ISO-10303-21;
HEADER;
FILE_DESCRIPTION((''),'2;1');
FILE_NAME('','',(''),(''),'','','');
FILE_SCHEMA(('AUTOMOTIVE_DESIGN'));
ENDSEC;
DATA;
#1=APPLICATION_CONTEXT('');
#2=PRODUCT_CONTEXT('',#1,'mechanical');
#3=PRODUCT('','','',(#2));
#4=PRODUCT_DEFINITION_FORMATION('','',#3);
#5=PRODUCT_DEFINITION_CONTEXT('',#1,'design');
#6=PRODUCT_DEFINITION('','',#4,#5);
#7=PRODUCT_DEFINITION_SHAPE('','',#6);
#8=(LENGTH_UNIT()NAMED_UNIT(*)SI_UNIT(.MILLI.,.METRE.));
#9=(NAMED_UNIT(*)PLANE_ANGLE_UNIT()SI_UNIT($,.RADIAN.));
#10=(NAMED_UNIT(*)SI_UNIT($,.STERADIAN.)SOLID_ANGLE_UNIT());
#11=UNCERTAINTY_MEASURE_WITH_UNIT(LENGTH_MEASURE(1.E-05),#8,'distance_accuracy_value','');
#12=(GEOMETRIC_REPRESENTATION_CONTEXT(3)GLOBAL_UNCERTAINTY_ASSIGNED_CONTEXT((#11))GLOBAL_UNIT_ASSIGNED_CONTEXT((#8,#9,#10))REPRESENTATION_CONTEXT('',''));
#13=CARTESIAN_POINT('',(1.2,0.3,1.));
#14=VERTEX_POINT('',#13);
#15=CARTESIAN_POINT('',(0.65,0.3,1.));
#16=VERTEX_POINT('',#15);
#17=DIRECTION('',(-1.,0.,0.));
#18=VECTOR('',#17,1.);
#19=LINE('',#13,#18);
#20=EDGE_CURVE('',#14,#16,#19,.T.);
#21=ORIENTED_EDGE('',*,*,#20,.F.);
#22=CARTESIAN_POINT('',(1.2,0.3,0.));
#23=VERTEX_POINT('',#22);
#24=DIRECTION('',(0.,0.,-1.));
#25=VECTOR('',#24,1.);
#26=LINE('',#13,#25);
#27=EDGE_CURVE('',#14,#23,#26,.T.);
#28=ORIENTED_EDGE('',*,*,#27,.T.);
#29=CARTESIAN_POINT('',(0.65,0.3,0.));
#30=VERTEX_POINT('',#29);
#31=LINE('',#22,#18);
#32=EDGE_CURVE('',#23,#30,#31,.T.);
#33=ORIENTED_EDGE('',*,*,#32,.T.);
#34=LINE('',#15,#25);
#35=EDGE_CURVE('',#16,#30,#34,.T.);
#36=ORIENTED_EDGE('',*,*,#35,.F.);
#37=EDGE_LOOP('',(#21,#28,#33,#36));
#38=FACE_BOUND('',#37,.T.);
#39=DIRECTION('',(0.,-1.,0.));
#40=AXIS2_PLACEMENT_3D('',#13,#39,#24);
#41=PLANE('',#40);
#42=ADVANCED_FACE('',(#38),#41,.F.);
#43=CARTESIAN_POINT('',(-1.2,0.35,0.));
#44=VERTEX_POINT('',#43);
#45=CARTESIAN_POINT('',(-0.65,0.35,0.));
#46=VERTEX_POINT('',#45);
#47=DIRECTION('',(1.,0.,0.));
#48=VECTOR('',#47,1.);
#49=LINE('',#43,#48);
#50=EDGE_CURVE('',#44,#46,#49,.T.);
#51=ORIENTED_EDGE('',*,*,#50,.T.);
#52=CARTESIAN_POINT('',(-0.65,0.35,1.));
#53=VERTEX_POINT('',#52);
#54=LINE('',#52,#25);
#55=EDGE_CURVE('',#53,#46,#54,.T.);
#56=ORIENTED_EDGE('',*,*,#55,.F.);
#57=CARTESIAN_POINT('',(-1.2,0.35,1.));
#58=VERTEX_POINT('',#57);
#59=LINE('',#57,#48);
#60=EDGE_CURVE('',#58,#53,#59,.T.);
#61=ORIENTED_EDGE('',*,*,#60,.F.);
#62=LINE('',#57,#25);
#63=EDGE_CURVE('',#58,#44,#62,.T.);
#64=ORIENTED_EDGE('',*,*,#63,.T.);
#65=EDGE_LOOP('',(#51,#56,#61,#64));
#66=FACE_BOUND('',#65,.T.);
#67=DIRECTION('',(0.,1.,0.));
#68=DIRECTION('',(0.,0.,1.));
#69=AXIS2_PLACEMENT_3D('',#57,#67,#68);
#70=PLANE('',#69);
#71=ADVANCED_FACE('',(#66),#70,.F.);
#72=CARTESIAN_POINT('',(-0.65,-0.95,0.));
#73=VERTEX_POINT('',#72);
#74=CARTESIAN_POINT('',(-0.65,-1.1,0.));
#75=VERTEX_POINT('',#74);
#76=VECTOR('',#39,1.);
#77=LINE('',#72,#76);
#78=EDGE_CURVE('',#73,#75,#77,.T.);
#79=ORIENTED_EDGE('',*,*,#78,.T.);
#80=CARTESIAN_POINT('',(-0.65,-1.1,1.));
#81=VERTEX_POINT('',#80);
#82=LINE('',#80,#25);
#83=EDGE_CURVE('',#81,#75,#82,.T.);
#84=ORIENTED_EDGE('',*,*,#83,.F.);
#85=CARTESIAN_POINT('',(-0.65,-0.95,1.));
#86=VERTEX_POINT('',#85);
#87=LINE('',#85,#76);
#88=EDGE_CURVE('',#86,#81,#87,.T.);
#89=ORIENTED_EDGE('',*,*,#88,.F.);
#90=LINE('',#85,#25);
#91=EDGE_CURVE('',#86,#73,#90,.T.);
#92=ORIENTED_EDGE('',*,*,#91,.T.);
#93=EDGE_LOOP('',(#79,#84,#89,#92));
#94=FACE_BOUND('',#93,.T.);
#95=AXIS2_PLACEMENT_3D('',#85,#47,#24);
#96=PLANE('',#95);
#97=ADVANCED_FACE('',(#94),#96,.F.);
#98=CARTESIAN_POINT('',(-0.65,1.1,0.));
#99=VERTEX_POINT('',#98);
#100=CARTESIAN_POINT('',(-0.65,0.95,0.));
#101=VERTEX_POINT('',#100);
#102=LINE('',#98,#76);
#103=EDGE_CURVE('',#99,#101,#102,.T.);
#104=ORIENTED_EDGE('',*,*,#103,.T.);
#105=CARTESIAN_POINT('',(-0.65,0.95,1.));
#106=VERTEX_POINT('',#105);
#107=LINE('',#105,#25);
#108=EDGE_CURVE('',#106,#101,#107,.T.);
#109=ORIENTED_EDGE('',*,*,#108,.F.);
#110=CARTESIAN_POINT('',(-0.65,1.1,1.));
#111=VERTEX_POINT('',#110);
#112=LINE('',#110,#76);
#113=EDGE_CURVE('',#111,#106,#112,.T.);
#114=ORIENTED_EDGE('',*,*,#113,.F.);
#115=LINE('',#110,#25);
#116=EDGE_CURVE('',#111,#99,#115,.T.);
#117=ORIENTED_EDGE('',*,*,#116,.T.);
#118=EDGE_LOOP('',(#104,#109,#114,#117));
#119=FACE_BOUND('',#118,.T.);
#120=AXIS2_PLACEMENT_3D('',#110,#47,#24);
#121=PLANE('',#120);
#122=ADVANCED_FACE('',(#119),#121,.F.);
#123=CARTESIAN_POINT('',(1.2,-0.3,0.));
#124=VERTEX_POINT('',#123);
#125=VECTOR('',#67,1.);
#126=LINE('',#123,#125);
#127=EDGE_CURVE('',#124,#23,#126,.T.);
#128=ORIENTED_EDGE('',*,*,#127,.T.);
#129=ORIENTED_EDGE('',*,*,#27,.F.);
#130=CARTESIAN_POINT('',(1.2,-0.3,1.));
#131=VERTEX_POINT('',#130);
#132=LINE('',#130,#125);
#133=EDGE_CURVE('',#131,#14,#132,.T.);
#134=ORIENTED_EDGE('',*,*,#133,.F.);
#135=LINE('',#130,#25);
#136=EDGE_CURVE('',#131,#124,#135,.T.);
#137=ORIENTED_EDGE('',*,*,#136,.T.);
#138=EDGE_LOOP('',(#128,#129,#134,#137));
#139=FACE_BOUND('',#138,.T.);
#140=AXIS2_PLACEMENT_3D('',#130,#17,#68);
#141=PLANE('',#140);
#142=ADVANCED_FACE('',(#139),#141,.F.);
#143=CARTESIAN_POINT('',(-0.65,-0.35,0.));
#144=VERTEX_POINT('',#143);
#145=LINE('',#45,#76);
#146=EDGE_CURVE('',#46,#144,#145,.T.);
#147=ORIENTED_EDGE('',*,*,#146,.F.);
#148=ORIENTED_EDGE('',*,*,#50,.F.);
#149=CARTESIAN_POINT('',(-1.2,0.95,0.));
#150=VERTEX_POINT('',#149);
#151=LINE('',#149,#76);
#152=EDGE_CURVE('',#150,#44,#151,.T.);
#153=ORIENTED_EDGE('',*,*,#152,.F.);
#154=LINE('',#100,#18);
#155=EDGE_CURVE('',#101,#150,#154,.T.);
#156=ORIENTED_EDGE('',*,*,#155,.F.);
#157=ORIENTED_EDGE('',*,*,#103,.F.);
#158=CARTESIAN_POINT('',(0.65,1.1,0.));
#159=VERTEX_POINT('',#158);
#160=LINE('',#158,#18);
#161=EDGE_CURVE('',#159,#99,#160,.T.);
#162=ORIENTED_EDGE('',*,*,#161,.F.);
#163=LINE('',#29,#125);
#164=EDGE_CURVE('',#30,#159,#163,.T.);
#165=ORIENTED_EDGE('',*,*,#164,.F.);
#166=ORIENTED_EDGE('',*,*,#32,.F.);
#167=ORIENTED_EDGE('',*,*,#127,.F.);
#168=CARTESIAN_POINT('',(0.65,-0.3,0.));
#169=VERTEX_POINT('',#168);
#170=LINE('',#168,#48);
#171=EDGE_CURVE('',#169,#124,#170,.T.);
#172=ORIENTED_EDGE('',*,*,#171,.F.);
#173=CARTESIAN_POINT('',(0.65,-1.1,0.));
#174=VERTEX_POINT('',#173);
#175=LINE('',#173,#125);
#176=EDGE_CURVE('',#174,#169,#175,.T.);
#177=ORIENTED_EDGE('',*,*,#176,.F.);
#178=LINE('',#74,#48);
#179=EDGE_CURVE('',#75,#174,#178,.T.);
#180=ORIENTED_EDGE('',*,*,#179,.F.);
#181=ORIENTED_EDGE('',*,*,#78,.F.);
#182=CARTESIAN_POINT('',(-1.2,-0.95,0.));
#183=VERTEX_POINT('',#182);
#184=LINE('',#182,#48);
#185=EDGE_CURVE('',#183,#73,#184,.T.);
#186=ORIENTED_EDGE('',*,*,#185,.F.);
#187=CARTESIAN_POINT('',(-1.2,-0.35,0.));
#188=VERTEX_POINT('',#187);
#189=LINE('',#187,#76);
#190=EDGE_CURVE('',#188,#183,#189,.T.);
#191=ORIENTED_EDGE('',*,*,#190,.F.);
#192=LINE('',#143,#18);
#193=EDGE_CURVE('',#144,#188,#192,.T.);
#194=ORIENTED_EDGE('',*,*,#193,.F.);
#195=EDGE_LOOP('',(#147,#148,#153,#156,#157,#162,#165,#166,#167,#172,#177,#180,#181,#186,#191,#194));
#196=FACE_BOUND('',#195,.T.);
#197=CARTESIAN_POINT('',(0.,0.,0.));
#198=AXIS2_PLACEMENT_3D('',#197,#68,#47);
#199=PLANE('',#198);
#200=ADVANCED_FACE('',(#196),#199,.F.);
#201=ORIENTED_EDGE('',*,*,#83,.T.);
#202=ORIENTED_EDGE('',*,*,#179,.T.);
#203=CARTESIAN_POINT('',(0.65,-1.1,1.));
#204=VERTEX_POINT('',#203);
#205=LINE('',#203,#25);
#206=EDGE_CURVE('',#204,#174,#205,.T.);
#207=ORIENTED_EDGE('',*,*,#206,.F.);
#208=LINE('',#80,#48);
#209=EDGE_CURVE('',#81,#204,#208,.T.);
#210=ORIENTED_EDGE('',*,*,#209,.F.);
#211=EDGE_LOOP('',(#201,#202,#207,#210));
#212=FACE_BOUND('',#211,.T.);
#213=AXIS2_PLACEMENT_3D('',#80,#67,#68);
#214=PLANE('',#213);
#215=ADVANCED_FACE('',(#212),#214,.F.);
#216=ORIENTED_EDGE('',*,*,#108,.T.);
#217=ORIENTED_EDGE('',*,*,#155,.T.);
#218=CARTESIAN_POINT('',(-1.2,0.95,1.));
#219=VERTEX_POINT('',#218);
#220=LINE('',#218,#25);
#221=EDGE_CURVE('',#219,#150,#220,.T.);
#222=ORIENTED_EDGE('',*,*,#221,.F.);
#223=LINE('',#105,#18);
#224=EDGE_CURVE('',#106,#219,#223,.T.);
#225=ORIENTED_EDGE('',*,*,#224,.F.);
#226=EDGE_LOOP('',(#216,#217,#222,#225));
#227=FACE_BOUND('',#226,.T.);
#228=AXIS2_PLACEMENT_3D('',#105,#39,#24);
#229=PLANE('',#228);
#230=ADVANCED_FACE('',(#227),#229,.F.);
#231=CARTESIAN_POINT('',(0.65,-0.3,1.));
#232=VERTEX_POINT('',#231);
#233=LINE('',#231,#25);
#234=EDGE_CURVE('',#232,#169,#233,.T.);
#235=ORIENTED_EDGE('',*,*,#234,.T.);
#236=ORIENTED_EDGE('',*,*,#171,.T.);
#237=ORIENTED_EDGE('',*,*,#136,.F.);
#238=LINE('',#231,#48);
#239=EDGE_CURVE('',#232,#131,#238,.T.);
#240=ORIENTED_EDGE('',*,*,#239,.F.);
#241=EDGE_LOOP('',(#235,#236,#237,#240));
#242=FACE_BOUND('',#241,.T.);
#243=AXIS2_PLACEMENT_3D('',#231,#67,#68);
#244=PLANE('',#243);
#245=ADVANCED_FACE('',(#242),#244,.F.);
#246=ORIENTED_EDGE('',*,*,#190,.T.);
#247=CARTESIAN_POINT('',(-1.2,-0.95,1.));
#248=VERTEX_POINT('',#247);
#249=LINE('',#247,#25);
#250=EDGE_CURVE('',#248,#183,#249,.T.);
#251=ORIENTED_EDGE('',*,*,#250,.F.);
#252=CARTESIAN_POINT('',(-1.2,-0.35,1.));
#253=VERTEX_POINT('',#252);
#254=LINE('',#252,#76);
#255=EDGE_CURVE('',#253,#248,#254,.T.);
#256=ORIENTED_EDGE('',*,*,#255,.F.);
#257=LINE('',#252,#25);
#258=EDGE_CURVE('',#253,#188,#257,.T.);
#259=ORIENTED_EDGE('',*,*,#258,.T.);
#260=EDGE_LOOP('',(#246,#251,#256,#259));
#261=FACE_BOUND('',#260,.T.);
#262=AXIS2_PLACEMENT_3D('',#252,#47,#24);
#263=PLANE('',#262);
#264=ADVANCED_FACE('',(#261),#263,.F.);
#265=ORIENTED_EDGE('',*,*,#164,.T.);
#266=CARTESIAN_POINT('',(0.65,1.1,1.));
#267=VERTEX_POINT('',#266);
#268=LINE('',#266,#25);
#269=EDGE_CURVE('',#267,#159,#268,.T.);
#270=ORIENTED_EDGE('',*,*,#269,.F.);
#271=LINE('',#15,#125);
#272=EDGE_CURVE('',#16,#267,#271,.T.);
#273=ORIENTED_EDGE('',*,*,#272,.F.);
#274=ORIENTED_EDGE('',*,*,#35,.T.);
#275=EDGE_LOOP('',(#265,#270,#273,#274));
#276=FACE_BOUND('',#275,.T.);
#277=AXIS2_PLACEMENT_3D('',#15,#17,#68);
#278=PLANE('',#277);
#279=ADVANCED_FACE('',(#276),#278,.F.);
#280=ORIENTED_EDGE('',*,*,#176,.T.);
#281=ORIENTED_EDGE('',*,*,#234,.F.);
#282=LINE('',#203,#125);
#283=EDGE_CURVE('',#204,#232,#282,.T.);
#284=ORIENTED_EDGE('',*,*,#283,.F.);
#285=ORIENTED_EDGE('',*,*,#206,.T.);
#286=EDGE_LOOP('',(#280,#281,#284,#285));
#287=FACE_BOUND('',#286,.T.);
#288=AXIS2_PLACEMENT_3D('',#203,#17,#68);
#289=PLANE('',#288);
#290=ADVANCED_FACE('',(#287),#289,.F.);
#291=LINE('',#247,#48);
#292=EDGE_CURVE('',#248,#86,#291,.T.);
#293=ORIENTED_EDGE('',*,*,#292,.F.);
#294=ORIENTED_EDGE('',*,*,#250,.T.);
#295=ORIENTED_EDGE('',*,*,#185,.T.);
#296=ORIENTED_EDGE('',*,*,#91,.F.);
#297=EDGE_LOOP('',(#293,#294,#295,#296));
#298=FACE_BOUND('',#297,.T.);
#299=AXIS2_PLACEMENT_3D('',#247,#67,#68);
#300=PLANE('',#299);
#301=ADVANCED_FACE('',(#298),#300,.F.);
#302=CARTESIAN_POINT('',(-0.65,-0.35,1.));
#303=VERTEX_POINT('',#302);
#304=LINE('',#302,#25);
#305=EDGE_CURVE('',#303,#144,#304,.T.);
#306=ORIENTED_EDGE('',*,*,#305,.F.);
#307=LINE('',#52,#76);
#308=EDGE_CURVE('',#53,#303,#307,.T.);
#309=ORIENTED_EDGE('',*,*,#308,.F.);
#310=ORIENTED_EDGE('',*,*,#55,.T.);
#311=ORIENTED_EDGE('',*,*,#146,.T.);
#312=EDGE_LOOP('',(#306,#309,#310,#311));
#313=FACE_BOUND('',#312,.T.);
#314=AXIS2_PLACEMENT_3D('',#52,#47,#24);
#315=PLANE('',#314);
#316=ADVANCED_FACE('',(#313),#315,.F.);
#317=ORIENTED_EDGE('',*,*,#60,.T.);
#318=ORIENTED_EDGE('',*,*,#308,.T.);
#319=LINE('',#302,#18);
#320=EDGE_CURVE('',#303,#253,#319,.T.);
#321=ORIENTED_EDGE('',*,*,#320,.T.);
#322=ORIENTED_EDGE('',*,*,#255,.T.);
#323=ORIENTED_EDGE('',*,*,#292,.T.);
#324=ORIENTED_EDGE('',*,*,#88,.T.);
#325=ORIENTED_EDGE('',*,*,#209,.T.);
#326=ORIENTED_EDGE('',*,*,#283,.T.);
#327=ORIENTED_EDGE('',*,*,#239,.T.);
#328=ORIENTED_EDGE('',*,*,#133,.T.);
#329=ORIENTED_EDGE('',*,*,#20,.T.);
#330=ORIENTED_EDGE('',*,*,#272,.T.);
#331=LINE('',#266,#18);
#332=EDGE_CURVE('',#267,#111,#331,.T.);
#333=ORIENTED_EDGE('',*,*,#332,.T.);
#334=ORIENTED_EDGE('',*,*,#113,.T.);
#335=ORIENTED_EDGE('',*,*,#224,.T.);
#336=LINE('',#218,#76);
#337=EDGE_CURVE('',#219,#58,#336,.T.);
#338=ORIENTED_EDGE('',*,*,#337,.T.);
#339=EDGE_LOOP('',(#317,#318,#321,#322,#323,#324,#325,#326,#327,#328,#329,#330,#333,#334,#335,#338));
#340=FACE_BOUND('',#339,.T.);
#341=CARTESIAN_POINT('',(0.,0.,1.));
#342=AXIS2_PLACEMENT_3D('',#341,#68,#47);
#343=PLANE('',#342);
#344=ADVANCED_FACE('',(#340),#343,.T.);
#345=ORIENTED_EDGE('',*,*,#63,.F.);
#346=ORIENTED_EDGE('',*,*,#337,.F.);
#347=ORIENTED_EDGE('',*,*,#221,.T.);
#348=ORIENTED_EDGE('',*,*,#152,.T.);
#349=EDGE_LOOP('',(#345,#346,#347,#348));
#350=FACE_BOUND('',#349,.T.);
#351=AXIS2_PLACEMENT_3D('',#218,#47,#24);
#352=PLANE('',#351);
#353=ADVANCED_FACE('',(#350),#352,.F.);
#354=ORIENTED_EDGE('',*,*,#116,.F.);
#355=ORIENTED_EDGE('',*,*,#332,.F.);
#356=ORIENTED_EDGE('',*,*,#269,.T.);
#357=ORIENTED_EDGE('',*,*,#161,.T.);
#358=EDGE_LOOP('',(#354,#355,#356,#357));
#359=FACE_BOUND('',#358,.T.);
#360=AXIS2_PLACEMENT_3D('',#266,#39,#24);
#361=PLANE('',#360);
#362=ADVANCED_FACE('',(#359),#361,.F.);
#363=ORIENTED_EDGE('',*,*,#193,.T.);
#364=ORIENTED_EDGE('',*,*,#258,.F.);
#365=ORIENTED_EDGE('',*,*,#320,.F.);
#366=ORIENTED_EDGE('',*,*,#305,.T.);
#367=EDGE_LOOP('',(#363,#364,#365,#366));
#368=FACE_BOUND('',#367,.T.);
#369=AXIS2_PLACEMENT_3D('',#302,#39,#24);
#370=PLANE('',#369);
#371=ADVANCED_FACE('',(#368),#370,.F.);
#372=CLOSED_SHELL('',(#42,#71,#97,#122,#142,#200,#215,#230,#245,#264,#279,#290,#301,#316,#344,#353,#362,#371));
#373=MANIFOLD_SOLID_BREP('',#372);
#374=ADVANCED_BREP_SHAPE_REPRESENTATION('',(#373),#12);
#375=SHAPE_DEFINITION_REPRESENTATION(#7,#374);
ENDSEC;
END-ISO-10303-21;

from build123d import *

# Parameters (mm, degrees)
COMPONENT_OUTLINE_DEPTH = 1


with BuildPart() as part:
    # 草图1 → Component_Outline (new body)
    with BuildSketch(Plane.XY):
        Polygon((-0.65, 1.1), (-0.65, 0.95), (-1.2, 0.95), (-1.2, 0.35), (-0.65, 0.35), (-0.65, -0.35), (-1.2, -0.35), (-1.2, -0.95), (-0.65, -0.95), (-0.65, -1.1), (0.65, -1.1), (0.65, -0.3), (1.2, -0.3), (1.2, 0.3), (0.65, 0.3), (0.65, 1.1), align=None)
    extrude(amount=COMPONENT_OUTLINE_DEPTH)


solid = part.part
